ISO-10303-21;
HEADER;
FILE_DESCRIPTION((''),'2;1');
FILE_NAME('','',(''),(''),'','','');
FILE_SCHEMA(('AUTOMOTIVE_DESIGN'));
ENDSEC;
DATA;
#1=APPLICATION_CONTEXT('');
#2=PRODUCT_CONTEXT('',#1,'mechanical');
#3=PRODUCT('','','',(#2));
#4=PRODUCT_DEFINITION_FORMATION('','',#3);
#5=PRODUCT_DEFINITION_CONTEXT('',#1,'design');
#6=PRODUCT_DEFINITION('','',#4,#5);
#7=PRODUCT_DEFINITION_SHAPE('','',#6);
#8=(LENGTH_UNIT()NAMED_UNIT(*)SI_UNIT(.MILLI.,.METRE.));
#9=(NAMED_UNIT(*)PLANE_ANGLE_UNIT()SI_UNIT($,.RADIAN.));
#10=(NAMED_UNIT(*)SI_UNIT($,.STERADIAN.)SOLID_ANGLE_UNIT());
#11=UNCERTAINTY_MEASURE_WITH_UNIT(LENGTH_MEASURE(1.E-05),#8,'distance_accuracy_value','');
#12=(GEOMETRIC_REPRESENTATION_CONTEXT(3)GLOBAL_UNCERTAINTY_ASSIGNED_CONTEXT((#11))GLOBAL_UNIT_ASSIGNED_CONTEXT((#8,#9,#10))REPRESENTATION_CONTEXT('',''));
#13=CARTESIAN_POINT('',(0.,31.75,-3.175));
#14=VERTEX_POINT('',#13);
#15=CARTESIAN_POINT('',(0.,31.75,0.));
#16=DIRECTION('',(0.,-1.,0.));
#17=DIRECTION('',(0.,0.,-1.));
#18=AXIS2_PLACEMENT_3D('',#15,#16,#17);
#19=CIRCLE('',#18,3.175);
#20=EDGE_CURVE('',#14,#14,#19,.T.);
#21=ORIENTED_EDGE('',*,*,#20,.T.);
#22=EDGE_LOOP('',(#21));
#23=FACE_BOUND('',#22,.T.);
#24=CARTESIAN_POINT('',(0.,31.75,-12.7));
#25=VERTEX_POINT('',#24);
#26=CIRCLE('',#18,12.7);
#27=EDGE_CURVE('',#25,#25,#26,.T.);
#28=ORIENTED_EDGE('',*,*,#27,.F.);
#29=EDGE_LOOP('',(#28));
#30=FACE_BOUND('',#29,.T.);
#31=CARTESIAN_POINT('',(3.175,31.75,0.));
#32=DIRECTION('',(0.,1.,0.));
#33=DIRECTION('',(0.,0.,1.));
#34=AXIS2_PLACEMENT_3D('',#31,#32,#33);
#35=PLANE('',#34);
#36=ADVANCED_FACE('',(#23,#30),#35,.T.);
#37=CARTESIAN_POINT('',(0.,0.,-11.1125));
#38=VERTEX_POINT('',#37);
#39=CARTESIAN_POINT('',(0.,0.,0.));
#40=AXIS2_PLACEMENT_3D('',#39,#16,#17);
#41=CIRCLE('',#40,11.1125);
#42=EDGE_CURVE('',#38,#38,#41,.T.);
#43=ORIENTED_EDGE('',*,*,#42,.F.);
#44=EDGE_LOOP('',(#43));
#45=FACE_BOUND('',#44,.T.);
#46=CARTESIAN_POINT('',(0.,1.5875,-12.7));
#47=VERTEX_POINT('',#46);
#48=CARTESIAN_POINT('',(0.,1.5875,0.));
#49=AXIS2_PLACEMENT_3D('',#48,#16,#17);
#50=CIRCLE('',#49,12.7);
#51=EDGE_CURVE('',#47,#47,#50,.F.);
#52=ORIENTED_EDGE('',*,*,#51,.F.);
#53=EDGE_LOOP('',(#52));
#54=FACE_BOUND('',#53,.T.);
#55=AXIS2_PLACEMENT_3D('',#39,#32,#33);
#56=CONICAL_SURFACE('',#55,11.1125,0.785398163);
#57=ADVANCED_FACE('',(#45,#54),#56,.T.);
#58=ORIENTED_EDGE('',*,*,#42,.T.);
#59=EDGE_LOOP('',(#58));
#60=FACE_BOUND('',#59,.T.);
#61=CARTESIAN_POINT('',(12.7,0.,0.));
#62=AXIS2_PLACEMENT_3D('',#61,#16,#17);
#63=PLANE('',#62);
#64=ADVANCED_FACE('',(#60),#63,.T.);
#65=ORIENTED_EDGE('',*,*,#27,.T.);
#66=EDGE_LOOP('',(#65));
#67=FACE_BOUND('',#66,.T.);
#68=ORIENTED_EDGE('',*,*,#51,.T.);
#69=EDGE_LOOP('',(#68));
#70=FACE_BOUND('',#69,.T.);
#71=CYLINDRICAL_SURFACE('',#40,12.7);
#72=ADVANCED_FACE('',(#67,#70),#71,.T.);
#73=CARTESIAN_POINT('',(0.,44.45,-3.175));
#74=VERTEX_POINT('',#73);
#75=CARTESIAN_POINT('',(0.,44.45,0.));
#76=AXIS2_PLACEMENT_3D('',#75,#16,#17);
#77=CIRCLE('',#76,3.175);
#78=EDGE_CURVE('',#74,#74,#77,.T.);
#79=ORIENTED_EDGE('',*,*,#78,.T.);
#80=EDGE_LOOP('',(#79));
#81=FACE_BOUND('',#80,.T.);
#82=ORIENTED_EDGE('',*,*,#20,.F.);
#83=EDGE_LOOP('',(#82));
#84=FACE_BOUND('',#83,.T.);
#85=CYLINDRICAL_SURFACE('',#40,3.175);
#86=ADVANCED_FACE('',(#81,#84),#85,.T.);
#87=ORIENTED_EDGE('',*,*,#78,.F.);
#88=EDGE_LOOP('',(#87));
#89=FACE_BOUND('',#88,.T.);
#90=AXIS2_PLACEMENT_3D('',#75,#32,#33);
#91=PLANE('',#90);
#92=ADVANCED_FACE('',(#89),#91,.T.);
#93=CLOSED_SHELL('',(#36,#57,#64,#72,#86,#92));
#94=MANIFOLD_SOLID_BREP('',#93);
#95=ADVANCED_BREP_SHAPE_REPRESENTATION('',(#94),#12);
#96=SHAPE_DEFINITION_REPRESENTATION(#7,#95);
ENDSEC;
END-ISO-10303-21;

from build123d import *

# Parameters (mm, degrees)
CHAMFER1_SIZE = 1.5875


with BuildPart() as part:
    # Sketch1 → Revolve1 (revolve)
    with BuildSketch(Plane.XY, mode=Mode.PRIVATE) as revolve1_sk:
        Polygon((0, 0), (0, 44.45), (3.175, 44.45), (3.175, 31.75), (12.7, 31.75), (12.7, 0), align=None)
    revolve(revolve1_sk.sketch.rotate(Axis((0, 0, 0), (0, 1, 0)), 90), axis=Axis((0, 0, 0), (0, 1, 0)))

    # Chamfer1
    chamfer1_edges = [part.edges().sort_by_distance(p)[0] for p in [
        (0, 0, 12.7),
    ]]
    chamfer(chamfer1_edges, length=CHAMFER1_SIZE)


solid = part.part
